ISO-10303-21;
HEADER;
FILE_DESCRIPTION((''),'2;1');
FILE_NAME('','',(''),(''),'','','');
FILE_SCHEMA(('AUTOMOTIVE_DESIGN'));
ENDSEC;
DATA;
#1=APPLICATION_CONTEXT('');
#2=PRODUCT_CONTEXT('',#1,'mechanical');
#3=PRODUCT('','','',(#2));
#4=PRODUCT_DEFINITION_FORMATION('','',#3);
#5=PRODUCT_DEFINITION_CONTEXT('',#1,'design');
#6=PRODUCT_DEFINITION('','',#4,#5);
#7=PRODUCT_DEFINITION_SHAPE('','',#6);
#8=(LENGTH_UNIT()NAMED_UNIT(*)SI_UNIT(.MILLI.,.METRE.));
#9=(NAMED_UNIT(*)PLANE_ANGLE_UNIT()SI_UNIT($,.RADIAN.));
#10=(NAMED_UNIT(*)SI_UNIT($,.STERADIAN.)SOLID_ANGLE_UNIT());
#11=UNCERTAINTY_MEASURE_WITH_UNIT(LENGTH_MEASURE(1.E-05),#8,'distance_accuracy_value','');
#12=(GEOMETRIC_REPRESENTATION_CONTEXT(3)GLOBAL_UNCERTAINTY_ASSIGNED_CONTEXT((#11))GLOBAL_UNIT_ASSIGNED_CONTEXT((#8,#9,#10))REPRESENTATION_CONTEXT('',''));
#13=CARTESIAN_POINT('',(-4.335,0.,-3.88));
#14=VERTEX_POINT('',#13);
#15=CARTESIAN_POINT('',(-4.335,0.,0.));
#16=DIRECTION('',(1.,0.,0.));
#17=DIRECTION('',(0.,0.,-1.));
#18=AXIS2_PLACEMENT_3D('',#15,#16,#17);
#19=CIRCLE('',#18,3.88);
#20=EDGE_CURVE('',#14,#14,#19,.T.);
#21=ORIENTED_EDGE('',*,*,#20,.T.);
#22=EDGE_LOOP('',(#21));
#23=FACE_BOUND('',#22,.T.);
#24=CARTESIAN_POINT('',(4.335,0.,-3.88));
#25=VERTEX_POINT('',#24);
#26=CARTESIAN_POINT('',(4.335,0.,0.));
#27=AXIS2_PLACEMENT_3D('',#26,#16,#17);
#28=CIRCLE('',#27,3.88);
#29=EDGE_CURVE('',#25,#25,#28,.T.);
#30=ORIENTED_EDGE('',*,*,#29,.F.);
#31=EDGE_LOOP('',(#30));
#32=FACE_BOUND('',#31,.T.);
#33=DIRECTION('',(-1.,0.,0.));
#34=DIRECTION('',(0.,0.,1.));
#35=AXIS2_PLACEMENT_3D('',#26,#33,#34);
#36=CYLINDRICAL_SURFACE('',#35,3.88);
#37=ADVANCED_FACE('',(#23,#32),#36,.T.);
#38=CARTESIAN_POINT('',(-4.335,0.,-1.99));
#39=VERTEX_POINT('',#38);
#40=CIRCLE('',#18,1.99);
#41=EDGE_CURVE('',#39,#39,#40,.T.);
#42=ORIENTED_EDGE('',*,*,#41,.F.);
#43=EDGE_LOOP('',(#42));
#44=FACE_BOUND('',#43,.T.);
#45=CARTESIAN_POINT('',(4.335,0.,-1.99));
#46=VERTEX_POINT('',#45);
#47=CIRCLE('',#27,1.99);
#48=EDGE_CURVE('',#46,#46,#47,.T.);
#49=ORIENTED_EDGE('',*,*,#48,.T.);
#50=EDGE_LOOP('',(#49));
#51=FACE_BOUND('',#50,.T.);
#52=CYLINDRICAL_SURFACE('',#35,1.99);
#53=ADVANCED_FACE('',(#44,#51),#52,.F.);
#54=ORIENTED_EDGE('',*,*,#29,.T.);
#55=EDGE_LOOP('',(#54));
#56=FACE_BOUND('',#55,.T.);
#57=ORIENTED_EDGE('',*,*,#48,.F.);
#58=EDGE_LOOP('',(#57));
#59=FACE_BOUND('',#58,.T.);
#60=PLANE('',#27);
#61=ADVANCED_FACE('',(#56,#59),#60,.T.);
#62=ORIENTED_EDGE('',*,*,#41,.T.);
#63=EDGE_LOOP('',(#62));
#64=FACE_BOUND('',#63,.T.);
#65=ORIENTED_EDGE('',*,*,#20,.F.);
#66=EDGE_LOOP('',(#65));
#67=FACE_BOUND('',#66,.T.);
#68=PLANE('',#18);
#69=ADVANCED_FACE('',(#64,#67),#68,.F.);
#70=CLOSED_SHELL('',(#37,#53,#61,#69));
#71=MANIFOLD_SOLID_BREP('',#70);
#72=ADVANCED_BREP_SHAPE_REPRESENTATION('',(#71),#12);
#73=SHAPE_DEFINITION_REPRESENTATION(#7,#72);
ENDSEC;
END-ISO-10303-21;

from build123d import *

# Parameters (mm, degrees)
SCHIZZO2_R                   = 3.88
SCHIZZO2_R_2                 = 1.99
ESTRUSIONE_ESTRUSIONE1_DEPTH = 4.335


with BuildPart() as part:
    # Schizzo2 → Estrusione-Estrusione1 (new, symmetric)
    with BuildSketch(Plane(origin=(0, 0, 0), x_dir=(0, 0, -1), z_dir=(1, 0, 0))):
        Circle(SCHIZZO2_R)
        Circle(SCHIZZO2_R_2, mode=Mode.SUBTRACT)
    extrude(amount=ESTRUSIONE_ESTRUSIONE1_DEPTH, both=True)


solid = part.part
